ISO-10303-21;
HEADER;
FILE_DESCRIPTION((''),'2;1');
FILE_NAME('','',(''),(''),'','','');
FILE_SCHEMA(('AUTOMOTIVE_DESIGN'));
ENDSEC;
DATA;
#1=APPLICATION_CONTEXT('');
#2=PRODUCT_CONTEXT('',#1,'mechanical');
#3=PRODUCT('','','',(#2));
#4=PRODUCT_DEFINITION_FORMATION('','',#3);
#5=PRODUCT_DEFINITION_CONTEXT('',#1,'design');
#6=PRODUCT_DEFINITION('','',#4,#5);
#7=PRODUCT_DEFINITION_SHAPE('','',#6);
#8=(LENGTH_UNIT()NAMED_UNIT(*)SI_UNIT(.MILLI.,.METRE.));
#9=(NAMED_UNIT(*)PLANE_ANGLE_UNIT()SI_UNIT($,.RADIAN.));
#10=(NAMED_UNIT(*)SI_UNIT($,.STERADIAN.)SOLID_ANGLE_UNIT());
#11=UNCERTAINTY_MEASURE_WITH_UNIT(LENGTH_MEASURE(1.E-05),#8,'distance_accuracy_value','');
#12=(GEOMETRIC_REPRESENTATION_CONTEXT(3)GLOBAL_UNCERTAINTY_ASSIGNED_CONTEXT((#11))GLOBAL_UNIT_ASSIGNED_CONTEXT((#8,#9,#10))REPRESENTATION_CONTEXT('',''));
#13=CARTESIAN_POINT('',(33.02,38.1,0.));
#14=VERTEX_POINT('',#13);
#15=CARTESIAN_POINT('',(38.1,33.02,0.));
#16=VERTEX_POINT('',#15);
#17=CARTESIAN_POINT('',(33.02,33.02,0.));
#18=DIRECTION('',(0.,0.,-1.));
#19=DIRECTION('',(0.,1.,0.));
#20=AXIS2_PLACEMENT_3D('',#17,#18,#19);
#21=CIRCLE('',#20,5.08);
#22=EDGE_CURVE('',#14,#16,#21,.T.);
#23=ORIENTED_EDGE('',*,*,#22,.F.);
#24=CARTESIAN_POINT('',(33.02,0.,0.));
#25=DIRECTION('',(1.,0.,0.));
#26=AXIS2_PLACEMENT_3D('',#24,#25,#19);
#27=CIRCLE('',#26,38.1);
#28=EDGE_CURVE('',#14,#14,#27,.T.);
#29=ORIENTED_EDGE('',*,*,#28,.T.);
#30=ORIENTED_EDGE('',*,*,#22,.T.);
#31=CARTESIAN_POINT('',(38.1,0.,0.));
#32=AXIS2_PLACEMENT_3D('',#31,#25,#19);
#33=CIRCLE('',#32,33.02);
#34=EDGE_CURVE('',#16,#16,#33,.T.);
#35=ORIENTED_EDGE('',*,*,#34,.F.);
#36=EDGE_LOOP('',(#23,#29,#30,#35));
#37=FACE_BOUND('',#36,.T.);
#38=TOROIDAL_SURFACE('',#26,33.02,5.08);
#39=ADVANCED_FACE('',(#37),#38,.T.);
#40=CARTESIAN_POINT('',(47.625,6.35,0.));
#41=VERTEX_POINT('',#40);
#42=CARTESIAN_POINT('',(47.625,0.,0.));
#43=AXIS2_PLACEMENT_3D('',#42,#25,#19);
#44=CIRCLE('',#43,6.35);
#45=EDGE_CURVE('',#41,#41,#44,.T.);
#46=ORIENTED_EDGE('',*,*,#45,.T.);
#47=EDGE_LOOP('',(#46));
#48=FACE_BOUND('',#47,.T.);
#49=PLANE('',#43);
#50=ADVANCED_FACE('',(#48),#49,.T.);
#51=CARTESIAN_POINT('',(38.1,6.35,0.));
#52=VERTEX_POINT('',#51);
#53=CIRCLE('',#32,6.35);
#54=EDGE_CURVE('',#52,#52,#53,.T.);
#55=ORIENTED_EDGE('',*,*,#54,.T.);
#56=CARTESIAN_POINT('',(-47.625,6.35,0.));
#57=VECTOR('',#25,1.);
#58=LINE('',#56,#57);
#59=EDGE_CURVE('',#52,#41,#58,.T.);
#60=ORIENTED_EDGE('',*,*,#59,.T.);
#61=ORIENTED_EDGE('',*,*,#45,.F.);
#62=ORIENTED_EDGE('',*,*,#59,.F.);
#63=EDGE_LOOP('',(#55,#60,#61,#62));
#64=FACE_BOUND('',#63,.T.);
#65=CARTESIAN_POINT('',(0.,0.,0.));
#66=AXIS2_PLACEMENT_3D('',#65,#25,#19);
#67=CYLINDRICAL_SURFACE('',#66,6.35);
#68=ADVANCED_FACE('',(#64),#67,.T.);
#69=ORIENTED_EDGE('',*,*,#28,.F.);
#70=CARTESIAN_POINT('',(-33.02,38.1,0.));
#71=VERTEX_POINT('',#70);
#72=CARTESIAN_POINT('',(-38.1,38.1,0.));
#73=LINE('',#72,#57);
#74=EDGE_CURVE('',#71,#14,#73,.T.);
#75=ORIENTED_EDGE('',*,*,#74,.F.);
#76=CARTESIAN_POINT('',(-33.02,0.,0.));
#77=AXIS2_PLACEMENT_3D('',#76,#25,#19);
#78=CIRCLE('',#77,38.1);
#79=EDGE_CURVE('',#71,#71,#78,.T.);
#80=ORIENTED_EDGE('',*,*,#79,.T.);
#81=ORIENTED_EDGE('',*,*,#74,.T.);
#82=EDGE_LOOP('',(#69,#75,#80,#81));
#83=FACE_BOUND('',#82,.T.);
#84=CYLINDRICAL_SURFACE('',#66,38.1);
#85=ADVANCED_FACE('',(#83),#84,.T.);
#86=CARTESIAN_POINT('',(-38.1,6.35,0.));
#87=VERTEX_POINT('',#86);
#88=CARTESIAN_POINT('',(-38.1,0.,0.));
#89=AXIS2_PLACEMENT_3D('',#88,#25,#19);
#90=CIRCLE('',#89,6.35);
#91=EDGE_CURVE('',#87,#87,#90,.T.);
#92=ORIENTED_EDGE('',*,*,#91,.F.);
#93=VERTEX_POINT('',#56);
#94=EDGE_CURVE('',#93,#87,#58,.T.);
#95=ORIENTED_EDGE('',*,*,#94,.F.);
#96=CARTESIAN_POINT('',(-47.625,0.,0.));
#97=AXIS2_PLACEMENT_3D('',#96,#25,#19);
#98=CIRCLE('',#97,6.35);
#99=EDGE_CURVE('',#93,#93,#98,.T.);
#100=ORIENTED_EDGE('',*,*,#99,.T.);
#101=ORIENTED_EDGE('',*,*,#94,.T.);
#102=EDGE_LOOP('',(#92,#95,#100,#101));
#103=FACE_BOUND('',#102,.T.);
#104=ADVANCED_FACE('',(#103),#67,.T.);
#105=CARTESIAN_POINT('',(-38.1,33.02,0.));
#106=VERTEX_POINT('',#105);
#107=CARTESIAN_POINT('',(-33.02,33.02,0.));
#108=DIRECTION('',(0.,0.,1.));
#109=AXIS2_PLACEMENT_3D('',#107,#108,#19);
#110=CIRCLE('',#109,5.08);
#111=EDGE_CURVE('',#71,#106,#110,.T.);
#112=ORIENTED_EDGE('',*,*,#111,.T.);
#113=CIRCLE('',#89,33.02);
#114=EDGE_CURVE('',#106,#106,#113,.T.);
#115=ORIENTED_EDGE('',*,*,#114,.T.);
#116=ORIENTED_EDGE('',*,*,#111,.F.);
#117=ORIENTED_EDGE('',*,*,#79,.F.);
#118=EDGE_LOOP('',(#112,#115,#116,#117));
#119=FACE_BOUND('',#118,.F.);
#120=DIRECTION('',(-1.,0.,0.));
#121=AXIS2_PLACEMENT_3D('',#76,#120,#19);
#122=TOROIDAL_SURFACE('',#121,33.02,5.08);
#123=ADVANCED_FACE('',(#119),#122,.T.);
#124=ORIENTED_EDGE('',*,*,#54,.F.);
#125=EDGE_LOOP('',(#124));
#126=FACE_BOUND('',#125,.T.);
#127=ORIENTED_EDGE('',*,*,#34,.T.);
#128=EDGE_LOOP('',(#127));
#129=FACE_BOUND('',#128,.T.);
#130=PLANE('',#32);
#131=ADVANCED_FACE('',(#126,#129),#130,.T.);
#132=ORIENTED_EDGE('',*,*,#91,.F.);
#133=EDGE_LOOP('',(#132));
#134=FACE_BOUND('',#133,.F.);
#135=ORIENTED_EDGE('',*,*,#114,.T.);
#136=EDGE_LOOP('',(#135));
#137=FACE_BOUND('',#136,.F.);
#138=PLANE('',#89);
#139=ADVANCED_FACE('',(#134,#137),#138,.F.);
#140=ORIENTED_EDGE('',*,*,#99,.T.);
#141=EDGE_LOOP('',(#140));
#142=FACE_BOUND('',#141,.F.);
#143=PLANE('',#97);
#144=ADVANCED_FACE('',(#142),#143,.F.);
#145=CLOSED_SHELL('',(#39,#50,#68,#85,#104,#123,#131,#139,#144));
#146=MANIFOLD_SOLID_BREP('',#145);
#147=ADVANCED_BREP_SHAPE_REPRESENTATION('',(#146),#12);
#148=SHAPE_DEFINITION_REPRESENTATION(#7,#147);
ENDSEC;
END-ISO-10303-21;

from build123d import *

# Parameters (mm, degrees)
F0_R     = 38.1
F0_R_2   = 6.35
F1_DEPTH = 38.1
F2_R     = 5.08
F3_DEPTH = 47.625


with BuildPart() as f1:
    # F0 (on Right) → F1 (new body, symmetric)
    with BuildSketch(Plane.YZ):
        Circle(F0_R)
        Circle(F0_R_2, mode=Mode.SUBTRACT)
    extrude(amount=F1_DEPTH, both=True)

    # F2
    f2_edges = [f1.edges().sort_by_distance(p)[0] for p in [
        (38.1, -38.1, 0),
        (-38.1, -38.1, 0),
    ]]
    fillet(f2_edges, radius=F2_R)

    # F0 (on Right) → F3 (join, symmetric)
    with BuildSketch(Plane.YZ):
        Circle(F0_R_2)
    extrude(amount=F3_DEPTH, both=True)


solid = f1.part
